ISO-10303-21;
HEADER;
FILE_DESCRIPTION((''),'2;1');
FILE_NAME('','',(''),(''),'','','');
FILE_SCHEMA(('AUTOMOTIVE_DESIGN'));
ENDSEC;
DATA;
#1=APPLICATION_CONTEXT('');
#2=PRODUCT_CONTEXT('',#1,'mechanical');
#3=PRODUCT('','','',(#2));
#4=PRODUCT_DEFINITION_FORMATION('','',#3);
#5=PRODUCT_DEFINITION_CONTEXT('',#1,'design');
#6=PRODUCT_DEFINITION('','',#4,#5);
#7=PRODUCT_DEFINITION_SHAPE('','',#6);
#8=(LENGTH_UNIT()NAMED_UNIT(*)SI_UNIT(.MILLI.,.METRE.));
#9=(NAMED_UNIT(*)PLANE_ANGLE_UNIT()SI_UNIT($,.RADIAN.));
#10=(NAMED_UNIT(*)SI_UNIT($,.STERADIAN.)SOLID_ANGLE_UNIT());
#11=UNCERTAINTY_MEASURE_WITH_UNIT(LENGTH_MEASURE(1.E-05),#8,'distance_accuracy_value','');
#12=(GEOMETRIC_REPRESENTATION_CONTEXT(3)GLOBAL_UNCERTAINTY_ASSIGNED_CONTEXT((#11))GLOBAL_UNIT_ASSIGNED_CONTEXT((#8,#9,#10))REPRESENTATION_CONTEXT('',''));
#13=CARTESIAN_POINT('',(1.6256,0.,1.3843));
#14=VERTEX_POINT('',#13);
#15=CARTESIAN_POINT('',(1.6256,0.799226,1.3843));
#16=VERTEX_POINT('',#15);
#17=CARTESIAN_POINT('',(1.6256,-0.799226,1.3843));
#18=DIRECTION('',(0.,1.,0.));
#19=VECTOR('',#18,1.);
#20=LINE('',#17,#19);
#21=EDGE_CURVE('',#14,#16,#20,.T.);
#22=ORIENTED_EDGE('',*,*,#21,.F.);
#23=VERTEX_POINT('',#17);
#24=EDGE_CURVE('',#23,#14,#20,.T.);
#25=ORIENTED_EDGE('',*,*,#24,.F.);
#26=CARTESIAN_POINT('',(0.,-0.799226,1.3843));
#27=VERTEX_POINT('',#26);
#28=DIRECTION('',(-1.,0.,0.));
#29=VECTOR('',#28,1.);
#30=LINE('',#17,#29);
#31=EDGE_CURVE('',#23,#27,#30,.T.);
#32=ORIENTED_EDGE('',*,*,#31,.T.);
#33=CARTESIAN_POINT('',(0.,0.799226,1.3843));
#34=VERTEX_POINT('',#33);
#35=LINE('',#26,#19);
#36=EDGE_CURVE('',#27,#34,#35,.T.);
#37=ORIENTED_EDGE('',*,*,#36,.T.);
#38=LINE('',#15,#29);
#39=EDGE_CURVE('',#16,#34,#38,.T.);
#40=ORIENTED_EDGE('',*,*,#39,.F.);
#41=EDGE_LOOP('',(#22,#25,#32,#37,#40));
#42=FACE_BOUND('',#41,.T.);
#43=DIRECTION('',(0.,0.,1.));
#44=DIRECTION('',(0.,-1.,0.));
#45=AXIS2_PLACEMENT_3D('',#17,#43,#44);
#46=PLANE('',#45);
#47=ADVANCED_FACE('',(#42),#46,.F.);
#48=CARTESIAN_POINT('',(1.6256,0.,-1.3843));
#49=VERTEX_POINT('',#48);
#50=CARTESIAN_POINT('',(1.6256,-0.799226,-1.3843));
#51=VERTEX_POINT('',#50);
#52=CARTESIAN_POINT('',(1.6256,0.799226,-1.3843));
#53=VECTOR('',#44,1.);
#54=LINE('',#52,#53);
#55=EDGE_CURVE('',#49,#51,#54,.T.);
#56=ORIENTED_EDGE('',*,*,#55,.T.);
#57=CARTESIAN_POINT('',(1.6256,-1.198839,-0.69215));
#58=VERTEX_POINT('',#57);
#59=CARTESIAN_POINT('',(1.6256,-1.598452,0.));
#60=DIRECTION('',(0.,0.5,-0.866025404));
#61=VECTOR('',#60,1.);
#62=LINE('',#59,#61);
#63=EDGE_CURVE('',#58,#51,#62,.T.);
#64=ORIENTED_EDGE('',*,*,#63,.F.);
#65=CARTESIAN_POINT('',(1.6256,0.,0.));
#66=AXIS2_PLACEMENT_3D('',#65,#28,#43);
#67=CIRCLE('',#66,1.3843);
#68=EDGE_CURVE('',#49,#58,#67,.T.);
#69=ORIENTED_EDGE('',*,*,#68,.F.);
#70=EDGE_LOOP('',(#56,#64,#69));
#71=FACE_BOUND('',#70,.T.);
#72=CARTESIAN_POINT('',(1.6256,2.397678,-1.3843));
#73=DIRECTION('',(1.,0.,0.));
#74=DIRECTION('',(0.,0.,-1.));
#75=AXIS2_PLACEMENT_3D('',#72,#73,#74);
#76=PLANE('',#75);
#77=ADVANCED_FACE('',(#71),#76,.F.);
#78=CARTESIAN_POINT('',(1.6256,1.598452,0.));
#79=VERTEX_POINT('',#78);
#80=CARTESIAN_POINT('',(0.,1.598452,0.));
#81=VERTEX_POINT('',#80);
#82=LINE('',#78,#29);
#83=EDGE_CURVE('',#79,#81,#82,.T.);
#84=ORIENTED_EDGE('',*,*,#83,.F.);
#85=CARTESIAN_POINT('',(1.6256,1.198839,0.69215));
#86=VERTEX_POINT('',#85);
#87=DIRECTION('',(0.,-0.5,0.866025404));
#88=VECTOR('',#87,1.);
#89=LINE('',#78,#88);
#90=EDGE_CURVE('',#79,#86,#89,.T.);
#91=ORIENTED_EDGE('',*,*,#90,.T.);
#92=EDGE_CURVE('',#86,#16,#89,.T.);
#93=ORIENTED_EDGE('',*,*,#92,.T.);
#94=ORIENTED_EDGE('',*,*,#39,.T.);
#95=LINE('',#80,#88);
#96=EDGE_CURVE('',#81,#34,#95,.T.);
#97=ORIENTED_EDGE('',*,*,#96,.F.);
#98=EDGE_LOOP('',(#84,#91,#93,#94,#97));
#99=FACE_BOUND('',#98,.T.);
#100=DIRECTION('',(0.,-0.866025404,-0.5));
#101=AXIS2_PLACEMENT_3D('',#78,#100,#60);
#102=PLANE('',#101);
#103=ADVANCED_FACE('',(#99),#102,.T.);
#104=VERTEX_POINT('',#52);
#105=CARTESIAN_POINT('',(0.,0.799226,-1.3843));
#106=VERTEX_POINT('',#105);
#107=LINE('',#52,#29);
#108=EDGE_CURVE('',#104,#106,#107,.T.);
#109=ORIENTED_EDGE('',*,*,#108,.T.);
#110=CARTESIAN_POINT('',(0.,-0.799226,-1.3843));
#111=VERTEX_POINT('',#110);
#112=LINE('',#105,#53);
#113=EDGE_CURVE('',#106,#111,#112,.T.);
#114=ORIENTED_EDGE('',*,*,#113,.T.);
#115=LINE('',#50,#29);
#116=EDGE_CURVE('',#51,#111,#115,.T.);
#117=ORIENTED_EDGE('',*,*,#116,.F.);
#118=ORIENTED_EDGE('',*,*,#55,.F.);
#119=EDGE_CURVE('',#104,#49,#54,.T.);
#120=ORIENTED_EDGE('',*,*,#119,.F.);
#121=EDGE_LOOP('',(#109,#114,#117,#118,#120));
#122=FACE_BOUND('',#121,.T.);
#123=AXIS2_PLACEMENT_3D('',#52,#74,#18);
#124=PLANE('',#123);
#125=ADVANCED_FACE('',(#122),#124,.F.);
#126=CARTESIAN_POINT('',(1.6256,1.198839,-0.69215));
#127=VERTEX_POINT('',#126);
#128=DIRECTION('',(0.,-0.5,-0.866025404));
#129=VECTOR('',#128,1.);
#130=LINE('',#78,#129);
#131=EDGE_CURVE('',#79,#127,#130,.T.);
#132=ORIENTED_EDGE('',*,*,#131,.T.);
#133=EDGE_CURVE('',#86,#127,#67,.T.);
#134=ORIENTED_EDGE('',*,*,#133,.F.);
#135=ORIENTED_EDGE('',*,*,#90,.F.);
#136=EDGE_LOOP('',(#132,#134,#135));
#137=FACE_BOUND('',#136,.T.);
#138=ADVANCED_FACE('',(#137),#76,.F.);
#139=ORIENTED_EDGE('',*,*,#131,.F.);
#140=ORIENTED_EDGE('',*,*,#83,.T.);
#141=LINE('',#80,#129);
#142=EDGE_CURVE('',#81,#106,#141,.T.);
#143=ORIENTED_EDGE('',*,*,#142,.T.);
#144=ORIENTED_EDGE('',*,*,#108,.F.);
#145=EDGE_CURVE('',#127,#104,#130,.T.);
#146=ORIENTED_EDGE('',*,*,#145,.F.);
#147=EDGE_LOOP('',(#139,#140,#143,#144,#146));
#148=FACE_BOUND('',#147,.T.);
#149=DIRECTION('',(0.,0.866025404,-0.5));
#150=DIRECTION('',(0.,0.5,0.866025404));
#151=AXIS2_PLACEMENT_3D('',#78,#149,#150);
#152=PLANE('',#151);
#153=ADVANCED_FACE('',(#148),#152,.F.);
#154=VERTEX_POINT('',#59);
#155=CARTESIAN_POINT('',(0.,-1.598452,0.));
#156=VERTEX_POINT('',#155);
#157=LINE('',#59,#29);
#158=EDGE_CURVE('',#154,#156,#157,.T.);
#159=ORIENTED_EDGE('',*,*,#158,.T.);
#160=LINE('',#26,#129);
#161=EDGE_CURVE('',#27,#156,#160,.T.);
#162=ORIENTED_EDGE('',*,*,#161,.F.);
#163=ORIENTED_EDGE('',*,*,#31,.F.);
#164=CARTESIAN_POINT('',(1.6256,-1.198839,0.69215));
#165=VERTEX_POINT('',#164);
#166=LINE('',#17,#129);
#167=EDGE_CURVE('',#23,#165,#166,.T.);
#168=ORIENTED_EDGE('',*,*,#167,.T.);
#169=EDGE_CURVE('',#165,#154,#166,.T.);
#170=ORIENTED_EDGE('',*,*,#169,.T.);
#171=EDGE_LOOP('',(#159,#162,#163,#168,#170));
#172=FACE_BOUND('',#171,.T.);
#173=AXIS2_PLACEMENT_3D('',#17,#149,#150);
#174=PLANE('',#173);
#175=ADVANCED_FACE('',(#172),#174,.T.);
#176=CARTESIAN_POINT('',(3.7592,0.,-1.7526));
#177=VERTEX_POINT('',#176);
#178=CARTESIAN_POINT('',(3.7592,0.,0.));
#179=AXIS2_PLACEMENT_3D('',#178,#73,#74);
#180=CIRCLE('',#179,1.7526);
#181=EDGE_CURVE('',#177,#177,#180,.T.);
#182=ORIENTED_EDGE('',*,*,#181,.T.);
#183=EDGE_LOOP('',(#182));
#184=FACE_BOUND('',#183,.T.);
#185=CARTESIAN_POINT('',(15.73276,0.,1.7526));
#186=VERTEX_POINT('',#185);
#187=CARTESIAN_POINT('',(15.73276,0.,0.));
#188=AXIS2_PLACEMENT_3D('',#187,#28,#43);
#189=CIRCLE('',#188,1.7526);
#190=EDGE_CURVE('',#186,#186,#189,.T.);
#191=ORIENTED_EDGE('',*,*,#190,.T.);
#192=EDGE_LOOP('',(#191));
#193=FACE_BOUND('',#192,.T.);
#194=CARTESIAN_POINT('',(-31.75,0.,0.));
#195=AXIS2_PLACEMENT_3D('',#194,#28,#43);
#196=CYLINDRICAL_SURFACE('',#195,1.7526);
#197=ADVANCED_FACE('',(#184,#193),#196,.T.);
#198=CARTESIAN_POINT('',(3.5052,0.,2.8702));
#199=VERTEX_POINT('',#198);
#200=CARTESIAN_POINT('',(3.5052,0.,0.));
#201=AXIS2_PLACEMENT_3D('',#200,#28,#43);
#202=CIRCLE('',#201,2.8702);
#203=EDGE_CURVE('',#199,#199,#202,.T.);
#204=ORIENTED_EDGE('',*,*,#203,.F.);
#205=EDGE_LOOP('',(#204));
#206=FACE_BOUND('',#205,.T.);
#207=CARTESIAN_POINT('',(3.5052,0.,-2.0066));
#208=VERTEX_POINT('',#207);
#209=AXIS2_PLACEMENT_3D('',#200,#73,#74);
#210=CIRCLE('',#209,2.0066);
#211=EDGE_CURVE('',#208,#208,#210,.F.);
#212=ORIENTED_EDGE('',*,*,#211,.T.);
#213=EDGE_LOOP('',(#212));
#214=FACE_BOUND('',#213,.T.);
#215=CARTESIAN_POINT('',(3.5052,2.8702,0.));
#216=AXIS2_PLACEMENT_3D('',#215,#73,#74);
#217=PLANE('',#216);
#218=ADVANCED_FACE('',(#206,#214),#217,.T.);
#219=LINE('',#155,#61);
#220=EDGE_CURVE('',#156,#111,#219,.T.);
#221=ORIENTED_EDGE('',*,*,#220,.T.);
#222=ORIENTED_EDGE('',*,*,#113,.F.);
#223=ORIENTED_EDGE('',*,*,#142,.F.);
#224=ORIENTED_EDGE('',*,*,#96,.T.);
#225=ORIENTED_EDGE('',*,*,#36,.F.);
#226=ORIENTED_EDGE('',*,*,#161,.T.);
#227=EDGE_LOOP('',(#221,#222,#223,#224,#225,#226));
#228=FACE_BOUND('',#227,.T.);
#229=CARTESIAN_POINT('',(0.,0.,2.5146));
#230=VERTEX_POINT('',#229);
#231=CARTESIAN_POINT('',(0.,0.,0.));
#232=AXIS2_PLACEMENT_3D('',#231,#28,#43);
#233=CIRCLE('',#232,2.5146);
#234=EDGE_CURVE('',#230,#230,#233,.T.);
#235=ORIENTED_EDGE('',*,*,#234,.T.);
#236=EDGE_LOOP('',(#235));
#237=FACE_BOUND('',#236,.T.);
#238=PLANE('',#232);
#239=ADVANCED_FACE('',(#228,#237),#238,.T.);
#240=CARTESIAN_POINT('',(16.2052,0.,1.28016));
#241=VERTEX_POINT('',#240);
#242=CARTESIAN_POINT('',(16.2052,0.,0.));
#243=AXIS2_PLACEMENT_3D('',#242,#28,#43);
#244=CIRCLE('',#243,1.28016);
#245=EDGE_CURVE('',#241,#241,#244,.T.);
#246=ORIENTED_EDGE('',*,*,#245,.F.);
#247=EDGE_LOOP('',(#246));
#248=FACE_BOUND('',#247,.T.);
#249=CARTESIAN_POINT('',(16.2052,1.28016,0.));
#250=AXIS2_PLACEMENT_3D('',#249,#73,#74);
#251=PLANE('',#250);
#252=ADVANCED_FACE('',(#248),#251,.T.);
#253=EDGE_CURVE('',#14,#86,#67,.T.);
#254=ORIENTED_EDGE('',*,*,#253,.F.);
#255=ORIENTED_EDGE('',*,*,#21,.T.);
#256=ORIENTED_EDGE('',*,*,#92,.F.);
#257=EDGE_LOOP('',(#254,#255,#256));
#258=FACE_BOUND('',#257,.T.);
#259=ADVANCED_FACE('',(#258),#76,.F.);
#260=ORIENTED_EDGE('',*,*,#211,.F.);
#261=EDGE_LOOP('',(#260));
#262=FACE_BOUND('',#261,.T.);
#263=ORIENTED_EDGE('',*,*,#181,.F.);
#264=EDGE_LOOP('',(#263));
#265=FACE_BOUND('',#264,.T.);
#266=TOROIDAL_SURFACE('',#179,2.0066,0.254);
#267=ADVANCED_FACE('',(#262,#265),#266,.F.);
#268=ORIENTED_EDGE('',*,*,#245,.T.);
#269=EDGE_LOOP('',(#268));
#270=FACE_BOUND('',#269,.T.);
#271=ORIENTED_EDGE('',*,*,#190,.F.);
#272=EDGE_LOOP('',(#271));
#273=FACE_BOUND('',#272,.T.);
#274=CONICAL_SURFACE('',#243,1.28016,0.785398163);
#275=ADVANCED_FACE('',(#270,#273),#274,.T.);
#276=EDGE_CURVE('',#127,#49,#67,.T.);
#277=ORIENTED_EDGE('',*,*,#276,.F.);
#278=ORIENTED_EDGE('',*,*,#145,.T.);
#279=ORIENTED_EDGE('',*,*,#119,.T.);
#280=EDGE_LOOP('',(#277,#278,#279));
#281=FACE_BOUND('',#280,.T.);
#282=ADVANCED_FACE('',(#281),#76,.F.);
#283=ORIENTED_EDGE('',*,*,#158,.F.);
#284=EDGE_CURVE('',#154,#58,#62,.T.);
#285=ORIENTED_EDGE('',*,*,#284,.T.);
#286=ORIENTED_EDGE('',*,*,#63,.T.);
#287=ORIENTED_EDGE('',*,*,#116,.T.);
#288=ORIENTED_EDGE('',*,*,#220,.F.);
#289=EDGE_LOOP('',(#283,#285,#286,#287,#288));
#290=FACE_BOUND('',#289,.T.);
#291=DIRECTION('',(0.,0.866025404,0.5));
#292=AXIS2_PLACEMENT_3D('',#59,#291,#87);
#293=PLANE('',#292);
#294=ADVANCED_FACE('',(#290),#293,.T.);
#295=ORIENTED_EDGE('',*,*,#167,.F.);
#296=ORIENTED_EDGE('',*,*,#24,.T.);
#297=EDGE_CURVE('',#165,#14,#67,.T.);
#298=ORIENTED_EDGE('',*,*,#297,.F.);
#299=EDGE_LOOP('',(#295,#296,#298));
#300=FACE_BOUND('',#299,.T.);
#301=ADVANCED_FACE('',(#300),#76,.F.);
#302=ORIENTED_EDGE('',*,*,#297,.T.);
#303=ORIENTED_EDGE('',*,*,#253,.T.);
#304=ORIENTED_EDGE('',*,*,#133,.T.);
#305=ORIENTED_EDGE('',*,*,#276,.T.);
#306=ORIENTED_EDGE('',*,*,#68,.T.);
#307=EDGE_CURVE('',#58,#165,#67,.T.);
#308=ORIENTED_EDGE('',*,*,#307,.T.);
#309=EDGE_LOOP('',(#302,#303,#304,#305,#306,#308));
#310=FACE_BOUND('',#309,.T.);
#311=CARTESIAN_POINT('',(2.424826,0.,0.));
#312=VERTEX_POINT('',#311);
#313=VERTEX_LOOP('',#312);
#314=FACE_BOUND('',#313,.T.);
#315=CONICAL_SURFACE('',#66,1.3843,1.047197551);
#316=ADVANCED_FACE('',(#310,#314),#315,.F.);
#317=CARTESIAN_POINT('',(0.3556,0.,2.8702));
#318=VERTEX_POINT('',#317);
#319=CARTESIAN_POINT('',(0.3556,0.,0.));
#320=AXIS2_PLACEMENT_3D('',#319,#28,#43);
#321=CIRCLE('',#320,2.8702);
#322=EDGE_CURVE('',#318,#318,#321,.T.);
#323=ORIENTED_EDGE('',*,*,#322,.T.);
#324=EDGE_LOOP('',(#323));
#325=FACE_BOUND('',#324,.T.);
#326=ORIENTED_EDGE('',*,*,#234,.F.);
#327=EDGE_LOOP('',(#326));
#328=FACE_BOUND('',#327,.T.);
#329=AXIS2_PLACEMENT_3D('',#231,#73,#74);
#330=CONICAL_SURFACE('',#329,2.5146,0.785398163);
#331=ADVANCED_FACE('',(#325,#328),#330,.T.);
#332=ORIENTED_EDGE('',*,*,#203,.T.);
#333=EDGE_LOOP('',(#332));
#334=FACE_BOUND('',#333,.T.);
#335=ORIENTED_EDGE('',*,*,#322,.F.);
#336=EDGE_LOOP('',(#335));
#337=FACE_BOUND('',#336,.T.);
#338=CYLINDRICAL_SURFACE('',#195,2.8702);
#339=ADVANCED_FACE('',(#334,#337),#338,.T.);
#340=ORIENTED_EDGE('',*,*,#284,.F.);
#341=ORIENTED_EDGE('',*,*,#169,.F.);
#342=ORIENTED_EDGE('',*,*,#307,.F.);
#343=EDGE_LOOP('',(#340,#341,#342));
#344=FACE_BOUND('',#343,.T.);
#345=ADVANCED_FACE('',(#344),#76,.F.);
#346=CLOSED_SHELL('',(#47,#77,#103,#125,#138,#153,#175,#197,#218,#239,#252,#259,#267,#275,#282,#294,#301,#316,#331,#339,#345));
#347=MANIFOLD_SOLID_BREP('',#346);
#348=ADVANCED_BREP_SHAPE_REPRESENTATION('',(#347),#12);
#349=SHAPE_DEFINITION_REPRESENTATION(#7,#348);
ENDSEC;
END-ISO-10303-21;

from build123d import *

# Parameters (mm, degrees)
FILLET1_R   = 0.254
HEX_2_DEPTH = 1.6256


with BuildPart() as part:
    # BodySke → Base-Revolve (revolve)
    with BuildSketch(Plane.XY):
        Polygon((0, 0), (0, 2.5146), (0.3556, 2.8702), (3.5052, 2.8702), (3.5052, 1.7526), (15.73276, 1.7526), (16.2052, 1.28016), (16.2052, 0), align=None)
    revolve(axis=Axis((-31.75, 0, 0), (1, 0, 0)))

    # Fillet1
    fillet1_edges = [part.edges().sort_by_distance(p)[0] for p in [
        (3.5052, -1.7526, 0),
    ]]
    fillet(fillet1_edges, radius=FILLET1_R)

    # Sketch2 → Hex-PreBroach (revolve, cut)
    with BuildSketch(Plane.XY):
        Polygon((0, 1.3843), (1.6256, 1.3843), (2.424825978, 0), (0, 0), align=None)
    revolve(axis=Axis((0, 0, 0), (1, 0, 0)), mode=Mode.SUBTRACT)

    # Sketch3 → Hex 2 (cut)
    with BuildSketch(Plane(origin=(0, 0, 0), x_dir=(0, 0.5, 0.866025404), z_dir=(-1, 0, 0))):
        Polygon((0.799225978, 1.3843), (-0.799225978, 1.3843), (-1.598451955, 0), (-0.799225978, -1.3843), (0.799225978, -1.3843), (1.598451955, 0), align=None)
    extrude(amount=-HEX_2_DEPTH, mode=Mode.SUBTRACT)


solid = part.part
